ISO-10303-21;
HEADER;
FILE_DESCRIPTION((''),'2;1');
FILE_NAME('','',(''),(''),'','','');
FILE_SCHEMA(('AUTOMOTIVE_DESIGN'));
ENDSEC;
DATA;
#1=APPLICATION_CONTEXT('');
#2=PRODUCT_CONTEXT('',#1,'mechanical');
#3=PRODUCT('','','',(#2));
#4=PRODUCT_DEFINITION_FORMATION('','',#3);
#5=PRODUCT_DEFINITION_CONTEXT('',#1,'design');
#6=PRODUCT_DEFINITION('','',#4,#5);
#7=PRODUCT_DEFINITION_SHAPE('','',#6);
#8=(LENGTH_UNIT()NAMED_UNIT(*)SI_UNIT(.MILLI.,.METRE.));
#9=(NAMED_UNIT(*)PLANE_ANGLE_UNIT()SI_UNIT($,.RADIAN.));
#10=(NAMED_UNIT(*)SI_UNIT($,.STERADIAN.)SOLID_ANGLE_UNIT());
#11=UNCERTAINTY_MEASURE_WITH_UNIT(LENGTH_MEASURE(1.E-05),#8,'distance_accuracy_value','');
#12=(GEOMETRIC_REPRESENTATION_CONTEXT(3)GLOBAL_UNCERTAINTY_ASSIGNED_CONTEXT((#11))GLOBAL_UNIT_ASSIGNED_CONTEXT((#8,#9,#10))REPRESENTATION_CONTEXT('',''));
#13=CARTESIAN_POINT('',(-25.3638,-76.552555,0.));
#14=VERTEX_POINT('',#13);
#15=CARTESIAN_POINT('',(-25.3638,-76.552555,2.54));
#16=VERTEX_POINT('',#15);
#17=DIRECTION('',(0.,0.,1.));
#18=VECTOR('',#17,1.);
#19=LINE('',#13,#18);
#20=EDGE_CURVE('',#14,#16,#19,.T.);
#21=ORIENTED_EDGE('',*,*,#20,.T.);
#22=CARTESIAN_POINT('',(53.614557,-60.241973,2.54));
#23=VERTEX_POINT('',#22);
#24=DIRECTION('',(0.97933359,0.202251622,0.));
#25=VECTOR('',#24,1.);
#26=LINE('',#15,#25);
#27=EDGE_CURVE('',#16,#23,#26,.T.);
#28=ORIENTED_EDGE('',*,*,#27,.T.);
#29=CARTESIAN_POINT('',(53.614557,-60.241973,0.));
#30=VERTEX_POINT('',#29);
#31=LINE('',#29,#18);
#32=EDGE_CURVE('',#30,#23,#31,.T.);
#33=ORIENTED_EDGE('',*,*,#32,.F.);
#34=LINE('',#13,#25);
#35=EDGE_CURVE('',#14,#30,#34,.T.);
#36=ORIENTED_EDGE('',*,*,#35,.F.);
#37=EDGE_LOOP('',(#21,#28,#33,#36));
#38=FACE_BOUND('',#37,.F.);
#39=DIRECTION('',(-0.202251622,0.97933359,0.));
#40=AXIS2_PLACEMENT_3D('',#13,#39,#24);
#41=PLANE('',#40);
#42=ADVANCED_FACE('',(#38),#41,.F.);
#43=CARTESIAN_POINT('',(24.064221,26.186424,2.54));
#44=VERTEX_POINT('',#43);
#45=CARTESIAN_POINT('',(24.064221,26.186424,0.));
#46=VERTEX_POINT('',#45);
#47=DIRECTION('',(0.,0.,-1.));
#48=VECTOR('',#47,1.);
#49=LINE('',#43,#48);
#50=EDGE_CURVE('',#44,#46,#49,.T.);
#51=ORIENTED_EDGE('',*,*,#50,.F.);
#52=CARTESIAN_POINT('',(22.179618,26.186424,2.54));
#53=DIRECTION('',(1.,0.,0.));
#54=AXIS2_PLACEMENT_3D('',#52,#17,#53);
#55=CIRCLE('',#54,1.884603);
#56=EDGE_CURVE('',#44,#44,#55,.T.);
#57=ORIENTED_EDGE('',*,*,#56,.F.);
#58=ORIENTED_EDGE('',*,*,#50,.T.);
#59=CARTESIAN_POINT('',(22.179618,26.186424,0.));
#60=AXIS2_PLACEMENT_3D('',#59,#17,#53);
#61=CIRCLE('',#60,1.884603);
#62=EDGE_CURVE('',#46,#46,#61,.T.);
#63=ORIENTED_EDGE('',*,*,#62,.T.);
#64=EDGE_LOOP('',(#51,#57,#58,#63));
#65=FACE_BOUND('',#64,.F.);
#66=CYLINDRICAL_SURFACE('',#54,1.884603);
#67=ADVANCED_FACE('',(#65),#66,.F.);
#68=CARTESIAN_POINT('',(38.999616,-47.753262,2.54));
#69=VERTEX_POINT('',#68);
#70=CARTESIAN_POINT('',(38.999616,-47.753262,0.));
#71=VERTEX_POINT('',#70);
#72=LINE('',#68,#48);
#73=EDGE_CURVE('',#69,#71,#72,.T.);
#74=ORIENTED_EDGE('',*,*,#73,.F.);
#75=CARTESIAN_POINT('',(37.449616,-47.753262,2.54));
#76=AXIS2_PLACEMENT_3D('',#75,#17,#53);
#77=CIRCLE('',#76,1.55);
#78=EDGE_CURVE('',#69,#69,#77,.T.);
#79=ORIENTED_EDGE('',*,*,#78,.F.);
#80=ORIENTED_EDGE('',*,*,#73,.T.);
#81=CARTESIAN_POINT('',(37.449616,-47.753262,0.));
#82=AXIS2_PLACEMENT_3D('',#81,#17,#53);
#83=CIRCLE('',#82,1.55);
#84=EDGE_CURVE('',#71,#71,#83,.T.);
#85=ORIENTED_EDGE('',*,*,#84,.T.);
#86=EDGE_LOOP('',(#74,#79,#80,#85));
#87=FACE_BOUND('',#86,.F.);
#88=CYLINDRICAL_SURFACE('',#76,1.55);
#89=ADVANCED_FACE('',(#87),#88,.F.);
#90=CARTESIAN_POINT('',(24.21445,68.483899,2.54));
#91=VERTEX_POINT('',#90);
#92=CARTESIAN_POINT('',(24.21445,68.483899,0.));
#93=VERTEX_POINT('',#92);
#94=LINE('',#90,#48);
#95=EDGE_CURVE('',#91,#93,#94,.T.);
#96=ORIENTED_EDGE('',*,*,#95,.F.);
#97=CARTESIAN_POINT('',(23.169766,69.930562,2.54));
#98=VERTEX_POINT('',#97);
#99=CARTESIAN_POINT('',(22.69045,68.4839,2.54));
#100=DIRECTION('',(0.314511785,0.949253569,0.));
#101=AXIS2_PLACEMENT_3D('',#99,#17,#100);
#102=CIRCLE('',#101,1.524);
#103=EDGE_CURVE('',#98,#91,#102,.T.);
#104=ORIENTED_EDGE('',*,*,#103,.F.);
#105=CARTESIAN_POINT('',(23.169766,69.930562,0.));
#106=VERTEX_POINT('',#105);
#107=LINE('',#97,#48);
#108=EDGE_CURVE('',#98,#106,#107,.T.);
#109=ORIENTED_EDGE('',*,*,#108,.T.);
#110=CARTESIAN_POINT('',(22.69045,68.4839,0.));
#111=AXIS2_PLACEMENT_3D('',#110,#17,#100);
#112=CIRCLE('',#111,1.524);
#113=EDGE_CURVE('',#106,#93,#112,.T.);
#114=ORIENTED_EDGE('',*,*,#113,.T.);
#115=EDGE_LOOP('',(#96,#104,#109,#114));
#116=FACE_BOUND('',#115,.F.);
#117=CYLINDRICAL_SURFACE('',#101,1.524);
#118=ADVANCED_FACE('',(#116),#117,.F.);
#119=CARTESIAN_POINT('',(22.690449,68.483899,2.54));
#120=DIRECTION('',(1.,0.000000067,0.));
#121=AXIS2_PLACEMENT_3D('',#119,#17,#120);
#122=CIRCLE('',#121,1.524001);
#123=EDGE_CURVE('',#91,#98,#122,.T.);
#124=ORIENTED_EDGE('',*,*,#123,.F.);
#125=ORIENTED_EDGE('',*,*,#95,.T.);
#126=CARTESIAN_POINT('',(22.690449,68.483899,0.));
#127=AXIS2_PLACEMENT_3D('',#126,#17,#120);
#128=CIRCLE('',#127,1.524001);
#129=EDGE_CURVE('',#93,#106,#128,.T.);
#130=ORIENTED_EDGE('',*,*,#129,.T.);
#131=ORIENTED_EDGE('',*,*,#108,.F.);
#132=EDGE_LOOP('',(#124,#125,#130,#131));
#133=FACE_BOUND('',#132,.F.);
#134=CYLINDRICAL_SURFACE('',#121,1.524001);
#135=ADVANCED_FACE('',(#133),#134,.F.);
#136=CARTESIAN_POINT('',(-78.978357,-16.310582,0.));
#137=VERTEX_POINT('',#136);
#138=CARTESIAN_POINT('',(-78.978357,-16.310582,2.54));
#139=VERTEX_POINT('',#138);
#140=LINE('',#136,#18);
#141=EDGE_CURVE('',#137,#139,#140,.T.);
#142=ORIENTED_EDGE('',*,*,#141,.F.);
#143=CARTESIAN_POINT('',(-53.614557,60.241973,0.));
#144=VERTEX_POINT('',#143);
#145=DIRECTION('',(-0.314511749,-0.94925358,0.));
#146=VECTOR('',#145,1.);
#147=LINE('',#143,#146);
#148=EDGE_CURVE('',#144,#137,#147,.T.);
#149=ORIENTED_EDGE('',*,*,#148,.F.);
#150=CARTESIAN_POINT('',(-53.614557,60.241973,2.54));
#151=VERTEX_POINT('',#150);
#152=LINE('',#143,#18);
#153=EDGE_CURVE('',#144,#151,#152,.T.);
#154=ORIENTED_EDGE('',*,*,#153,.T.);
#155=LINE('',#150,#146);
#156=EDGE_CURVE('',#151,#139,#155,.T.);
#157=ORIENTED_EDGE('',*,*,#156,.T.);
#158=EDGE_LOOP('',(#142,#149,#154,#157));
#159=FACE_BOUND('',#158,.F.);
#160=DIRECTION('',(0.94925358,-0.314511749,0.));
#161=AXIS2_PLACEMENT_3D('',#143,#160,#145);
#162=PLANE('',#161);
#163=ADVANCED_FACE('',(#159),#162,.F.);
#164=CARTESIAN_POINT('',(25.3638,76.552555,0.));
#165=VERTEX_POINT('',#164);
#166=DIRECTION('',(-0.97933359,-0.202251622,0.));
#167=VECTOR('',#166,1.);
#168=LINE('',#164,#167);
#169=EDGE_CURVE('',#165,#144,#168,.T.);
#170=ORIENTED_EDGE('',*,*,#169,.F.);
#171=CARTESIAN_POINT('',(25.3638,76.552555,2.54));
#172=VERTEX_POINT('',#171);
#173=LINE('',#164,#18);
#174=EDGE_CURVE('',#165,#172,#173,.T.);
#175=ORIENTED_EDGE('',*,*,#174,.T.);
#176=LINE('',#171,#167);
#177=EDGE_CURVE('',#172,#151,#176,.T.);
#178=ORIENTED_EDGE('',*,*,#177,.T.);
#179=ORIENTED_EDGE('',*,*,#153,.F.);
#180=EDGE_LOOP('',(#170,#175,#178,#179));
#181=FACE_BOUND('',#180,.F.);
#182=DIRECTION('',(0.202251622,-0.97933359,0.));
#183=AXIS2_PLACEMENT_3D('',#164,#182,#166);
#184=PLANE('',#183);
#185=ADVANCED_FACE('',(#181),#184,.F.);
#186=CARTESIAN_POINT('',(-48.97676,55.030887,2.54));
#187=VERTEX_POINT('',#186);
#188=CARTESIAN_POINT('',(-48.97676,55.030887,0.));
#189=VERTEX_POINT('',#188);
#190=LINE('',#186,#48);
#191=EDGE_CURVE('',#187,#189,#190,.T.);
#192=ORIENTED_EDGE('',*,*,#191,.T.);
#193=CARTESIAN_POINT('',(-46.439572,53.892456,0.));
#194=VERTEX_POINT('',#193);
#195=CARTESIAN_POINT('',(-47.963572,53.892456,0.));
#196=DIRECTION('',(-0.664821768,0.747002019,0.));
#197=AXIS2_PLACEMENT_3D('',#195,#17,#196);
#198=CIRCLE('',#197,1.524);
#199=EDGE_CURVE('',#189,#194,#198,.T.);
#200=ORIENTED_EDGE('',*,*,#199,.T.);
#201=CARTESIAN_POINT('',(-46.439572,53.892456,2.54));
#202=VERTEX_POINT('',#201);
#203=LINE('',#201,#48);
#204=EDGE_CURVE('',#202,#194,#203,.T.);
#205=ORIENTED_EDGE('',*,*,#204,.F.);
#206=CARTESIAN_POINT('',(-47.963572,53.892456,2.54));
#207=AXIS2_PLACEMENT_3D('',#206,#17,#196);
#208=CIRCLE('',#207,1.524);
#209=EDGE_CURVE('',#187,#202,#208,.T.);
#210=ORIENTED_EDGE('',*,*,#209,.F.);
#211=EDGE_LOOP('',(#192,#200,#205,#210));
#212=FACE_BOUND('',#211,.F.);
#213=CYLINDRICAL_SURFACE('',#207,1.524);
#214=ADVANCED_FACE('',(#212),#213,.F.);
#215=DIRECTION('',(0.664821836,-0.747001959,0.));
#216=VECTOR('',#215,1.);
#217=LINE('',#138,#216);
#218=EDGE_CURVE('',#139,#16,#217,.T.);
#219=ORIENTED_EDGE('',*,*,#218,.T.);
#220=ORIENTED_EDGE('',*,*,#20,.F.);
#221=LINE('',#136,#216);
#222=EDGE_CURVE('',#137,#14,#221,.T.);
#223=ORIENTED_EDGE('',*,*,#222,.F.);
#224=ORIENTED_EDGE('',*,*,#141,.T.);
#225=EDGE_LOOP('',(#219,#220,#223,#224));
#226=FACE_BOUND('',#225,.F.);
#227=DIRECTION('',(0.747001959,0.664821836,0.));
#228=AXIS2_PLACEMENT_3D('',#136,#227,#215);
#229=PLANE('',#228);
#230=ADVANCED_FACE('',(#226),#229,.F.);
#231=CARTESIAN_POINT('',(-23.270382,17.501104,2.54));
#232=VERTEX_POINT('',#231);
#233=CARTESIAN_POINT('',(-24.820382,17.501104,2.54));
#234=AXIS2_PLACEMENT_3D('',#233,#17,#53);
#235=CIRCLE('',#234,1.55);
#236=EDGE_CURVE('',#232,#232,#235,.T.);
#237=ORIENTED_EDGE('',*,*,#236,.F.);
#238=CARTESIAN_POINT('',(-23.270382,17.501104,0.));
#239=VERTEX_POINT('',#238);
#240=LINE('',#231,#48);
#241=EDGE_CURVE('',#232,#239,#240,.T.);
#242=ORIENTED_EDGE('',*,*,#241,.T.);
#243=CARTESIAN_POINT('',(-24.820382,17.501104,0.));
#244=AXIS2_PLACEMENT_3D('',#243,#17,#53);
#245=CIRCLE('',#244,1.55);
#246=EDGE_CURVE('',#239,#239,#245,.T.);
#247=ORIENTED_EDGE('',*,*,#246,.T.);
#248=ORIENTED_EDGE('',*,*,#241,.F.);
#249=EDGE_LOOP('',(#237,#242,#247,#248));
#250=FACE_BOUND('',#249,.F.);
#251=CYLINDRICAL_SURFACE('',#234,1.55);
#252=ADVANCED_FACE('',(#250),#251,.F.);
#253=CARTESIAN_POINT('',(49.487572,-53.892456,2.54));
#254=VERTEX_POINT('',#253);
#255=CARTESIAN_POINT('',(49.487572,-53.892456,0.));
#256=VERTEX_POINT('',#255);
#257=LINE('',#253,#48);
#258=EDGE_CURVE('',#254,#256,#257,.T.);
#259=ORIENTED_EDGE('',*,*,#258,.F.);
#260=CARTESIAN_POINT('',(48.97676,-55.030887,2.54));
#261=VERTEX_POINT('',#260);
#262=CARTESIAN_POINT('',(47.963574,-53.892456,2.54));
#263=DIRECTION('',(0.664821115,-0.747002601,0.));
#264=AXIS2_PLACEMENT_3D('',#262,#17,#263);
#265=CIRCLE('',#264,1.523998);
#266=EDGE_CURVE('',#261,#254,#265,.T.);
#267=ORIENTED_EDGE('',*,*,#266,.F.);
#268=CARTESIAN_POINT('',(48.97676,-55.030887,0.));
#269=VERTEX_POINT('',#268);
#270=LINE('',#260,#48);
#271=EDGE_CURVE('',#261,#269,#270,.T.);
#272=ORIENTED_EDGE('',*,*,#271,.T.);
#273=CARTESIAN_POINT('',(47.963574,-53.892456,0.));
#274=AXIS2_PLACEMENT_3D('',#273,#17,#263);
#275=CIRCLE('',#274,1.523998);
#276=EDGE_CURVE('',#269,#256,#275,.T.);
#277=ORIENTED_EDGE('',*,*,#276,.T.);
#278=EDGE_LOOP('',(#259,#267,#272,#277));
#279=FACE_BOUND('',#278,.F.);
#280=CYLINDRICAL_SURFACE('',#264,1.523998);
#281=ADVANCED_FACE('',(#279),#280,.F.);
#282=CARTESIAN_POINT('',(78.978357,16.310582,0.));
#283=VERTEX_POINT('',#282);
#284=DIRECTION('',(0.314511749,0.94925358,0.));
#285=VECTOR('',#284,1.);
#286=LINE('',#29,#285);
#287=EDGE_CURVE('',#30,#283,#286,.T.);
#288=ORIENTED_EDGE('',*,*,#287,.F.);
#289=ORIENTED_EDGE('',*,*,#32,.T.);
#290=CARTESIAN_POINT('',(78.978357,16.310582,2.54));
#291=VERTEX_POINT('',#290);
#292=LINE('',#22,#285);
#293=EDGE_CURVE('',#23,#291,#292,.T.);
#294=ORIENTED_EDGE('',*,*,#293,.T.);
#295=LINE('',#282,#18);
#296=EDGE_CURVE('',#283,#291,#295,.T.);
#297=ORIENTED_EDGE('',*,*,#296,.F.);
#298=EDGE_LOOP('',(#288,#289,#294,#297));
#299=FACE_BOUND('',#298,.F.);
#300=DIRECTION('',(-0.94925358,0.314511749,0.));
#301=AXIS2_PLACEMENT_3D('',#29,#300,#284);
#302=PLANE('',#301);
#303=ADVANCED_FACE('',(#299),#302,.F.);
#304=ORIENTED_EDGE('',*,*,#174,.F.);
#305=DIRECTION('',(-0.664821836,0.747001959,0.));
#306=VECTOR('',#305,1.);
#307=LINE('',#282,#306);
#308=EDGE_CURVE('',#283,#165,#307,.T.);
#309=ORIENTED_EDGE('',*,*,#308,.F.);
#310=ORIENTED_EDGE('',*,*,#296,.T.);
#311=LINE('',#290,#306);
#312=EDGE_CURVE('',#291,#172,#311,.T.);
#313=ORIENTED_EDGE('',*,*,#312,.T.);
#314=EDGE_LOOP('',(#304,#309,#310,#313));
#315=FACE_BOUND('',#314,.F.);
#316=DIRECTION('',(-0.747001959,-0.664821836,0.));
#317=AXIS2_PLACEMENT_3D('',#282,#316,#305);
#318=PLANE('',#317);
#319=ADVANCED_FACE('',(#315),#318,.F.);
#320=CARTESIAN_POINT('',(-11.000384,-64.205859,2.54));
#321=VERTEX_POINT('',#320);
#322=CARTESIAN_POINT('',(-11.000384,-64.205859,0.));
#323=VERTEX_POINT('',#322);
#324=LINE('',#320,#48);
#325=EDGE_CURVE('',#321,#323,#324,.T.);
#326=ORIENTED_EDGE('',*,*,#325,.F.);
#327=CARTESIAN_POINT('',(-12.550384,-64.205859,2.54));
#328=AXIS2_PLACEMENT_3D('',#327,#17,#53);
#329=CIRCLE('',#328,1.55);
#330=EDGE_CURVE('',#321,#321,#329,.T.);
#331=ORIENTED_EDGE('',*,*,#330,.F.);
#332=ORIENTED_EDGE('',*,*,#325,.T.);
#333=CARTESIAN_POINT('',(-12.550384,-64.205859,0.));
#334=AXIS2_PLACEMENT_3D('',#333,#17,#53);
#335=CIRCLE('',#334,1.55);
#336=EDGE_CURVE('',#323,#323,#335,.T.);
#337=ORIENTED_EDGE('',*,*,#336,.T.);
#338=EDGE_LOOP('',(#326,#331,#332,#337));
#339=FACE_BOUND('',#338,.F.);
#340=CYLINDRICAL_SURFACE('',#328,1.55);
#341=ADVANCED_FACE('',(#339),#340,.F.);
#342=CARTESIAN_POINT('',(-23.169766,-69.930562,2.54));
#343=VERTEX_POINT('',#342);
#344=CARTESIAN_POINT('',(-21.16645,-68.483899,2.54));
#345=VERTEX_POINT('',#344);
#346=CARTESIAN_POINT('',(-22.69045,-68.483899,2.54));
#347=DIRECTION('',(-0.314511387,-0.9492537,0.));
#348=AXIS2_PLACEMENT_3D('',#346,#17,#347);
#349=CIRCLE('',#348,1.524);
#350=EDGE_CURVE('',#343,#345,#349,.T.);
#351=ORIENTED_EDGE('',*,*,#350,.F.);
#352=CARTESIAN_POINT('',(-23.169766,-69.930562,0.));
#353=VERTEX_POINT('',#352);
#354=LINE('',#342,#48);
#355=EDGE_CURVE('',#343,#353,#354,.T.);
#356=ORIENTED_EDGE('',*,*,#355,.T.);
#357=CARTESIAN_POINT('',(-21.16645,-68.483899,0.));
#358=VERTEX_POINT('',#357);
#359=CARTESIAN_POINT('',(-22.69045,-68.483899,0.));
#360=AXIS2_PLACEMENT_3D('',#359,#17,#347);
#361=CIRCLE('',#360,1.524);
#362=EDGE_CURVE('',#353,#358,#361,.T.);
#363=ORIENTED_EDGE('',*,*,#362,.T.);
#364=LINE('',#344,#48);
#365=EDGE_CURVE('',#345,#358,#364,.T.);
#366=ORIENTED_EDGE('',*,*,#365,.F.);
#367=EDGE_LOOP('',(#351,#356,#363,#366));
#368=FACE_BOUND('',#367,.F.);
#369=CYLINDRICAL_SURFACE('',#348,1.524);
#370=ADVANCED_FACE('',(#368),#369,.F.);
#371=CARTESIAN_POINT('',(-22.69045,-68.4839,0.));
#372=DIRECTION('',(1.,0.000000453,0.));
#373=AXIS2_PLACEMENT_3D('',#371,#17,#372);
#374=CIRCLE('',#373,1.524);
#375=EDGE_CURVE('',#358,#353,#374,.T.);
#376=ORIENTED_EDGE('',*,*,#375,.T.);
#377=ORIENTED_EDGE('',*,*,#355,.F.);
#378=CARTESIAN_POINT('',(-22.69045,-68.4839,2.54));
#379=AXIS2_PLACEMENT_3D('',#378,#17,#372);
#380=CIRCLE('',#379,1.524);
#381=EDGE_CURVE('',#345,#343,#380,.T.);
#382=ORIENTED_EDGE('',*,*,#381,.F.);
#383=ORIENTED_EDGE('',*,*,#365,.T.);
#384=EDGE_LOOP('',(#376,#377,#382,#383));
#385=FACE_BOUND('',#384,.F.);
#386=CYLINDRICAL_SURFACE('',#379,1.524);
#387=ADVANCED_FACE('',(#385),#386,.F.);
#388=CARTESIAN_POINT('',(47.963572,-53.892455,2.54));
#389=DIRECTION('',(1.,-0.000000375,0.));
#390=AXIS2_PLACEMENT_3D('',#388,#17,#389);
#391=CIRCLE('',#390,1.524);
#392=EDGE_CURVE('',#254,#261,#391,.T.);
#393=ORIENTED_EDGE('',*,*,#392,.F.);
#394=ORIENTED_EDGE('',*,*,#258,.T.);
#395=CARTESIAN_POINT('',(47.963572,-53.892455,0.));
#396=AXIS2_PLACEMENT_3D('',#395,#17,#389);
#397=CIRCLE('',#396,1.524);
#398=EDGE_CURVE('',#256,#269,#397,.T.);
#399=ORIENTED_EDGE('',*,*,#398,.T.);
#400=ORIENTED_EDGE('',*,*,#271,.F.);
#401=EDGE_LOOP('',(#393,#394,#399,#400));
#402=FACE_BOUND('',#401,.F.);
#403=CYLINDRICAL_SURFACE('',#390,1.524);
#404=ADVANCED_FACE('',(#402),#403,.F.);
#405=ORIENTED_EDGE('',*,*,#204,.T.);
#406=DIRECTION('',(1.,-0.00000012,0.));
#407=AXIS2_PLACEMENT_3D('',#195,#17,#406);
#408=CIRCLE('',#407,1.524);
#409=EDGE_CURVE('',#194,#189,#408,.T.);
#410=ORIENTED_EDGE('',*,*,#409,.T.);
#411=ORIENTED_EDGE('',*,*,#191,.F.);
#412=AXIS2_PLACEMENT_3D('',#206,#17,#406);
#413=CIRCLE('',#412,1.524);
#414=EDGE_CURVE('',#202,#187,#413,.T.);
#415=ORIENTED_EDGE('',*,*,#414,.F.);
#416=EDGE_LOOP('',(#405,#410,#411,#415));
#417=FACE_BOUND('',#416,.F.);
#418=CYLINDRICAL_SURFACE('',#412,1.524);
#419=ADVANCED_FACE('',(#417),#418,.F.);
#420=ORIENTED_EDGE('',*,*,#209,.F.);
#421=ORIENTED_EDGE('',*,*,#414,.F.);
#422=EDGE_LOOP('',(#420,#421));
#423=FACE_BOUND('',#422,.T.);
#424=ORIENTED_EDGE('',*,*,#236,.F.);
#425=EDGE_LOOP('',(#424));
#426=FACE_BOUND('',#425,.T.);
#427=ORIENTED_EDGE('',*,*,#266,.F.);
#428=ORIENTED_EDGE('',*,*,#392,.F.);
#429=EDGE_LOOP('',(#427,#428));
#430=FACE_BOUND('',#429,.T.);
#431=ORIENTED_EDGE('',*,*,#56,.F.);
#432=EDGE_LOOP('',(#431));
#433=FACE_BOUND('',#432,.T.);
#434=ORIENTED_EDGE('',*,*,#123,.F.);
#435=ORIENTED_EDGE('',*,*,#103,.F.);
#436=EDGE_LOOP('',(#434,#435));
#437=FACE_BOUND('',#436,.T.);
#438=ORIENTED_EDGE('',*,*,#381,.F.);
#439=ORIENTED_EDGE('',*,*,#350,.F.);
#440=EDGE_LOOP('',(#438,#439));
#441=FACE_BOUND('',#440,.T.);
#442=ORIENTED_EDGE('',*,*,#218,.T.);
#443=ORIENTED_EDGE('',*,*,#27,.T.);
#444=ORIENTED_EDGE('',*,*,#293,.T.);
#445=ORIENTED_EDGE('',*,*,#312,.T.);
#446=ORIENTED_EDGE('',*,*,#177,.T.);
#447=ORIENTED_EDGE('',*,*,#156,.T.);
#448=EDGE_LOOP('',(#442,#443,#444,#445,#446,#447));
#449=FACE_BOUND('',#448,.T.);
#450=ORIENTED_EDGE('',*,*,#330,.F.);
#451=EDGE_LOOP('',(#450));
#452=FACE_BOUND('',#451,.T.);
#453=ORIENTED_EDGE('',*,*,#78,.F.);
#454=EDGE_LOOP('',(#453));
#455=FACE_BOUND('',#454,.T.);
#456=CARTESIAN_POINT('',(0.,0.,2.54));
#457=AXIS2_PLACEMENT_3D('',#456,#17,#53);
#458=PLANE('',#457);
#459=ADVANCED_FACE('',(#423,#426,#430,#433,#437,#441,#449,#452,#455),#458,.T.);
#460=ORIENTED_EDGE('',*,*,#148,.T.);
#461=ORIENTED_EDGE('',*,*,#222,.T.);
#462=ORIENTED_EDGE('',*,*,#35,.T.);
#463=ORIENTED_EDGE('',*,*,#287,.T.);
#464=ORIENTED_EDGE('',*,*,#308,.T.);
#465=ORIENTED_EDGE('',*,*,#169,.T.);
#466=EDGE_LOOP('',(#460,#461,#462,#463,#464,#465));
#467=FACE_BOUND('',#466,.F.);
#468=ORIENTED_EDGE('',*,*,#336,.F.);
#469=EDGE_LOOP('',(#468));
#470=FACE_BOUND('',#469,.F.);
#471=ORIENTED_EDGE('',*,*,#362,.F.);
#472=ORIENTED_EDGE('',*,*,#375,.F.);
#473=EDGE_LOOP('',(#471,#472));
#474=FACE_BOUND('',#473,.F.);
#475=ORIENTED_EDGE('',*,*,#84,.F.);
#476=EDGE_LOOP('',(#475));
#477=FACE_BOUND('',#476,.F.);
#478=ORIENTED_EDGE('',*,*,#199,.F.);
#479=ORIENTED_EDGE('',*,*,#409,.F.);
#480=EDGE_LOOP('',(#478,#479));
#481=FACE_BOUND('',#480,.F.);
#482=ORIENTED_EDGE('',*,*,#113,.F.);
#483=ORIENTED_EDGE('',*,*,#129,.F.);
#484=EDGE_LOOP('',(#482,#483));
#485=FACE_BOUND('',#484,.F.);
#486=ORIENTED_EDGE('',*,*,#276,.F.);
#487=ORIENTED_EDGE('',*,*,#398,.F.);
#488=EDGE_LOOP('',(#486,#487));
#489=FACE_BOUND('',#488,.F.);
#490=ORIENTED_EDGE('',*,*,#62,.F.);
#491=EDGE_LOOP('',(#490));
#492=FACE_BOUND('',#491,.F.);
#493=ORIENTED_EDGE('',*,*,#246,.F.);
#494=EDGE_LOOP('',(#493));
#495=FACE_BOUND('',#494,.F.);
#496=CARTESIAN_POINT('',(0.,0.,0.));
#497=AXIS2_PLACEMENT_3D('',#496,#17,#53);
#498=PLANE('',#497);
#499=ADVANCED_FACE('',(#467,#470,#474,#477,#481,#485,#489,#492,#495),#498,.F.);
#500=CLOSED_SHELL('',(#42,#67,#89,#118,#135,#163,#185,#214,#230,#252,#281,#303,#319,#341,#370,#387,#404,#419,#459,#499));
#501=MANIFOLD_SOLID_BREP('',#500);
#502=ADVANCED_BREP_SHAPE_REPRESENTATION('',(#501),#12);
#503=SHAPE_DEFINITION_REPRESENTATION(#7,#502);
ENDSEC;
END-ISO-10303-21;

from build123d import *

# Parameters (mm, degrees)
F1_DEPTH = 2.54
F3_DEPTH = 25.4
F4_R     = 1.55
F4_R_2   = 1.884603
F5_DEPTH = 25.4


with BuildPart() as f1:
    # F0 (on Top) → F1 (new body)
    with BuildSketch(Plane.XY):
        Polygon((25.3638, 76.552555), (-53.614557, 60.241973), (-78.978357, -16.310582), (-25.3638, -76.552555), (53.614557, -60.241973), (78.978357, 16.310582), align=None)
    extrude(amount=F1_DEPTH)

    # F2 (on face) → F3 (cut)
    with BuildSketch(Plane.XY.offset(2.54)):
        with BuildLine():
            ThreePointArc((24.21445, 68.483899), (23.925977, 69.376115), (23.169766, 69.930562))
            ThreePointArc((23.169766, 69.930562), (21.454923, 67.591684), (24.21445, 68.483899))
        make_face()
        with BuildLine():
            ThreePointArc((-46.439572, 53.892456), (-47.339682, 55.282901), (-48.97676, 55.030887))
            ThreePointArc((-48.97676, 55.030887), (-48.587461, 52.502011), (-46.439572, 53.892456))
        make_face()
        with BuildLine():
            ThreePointArc((-21.16645, -68.483899), (-23.582666, -67.248373), (-23.169766, -69.930562))
            ThreePointArc((-23.169766, -69.930562), (-21.798234, -69.719426), (-21.16645, -68.483899))
        make_face()
        with BuildLine():
            ThreePointArc((49.487572, -53.892456), (46.573126, -53.268566), (48.97676, -55.030887))
            ThreePointArc((48.97676, -55.030887), (49.354017, -54.516346), (49.487572, -53.892456))
        make_face()
    extrude(amount=-F3_DEPTH, mode=Mode.SUBTRACT)

    # F4 (on face) → F5 (cut)
    with BuildSketch(Plane.XY.offset(2.54)):
        with Locations((37.449616, -47.753262)):
            Circle(F4_R)
        with Locations((-12.550384, -64.205859)):
            Circle(F4_R)
        with Locations((22.179618, 26.186424)):
            Circle(F4_R_2)
        with Locations((-24.820382, 17.501104)):
            Circle(F4_R)
    extrude(amount=-F5_DEPTH, mode=Mode.SUBTRACT)


solid = f1.part
